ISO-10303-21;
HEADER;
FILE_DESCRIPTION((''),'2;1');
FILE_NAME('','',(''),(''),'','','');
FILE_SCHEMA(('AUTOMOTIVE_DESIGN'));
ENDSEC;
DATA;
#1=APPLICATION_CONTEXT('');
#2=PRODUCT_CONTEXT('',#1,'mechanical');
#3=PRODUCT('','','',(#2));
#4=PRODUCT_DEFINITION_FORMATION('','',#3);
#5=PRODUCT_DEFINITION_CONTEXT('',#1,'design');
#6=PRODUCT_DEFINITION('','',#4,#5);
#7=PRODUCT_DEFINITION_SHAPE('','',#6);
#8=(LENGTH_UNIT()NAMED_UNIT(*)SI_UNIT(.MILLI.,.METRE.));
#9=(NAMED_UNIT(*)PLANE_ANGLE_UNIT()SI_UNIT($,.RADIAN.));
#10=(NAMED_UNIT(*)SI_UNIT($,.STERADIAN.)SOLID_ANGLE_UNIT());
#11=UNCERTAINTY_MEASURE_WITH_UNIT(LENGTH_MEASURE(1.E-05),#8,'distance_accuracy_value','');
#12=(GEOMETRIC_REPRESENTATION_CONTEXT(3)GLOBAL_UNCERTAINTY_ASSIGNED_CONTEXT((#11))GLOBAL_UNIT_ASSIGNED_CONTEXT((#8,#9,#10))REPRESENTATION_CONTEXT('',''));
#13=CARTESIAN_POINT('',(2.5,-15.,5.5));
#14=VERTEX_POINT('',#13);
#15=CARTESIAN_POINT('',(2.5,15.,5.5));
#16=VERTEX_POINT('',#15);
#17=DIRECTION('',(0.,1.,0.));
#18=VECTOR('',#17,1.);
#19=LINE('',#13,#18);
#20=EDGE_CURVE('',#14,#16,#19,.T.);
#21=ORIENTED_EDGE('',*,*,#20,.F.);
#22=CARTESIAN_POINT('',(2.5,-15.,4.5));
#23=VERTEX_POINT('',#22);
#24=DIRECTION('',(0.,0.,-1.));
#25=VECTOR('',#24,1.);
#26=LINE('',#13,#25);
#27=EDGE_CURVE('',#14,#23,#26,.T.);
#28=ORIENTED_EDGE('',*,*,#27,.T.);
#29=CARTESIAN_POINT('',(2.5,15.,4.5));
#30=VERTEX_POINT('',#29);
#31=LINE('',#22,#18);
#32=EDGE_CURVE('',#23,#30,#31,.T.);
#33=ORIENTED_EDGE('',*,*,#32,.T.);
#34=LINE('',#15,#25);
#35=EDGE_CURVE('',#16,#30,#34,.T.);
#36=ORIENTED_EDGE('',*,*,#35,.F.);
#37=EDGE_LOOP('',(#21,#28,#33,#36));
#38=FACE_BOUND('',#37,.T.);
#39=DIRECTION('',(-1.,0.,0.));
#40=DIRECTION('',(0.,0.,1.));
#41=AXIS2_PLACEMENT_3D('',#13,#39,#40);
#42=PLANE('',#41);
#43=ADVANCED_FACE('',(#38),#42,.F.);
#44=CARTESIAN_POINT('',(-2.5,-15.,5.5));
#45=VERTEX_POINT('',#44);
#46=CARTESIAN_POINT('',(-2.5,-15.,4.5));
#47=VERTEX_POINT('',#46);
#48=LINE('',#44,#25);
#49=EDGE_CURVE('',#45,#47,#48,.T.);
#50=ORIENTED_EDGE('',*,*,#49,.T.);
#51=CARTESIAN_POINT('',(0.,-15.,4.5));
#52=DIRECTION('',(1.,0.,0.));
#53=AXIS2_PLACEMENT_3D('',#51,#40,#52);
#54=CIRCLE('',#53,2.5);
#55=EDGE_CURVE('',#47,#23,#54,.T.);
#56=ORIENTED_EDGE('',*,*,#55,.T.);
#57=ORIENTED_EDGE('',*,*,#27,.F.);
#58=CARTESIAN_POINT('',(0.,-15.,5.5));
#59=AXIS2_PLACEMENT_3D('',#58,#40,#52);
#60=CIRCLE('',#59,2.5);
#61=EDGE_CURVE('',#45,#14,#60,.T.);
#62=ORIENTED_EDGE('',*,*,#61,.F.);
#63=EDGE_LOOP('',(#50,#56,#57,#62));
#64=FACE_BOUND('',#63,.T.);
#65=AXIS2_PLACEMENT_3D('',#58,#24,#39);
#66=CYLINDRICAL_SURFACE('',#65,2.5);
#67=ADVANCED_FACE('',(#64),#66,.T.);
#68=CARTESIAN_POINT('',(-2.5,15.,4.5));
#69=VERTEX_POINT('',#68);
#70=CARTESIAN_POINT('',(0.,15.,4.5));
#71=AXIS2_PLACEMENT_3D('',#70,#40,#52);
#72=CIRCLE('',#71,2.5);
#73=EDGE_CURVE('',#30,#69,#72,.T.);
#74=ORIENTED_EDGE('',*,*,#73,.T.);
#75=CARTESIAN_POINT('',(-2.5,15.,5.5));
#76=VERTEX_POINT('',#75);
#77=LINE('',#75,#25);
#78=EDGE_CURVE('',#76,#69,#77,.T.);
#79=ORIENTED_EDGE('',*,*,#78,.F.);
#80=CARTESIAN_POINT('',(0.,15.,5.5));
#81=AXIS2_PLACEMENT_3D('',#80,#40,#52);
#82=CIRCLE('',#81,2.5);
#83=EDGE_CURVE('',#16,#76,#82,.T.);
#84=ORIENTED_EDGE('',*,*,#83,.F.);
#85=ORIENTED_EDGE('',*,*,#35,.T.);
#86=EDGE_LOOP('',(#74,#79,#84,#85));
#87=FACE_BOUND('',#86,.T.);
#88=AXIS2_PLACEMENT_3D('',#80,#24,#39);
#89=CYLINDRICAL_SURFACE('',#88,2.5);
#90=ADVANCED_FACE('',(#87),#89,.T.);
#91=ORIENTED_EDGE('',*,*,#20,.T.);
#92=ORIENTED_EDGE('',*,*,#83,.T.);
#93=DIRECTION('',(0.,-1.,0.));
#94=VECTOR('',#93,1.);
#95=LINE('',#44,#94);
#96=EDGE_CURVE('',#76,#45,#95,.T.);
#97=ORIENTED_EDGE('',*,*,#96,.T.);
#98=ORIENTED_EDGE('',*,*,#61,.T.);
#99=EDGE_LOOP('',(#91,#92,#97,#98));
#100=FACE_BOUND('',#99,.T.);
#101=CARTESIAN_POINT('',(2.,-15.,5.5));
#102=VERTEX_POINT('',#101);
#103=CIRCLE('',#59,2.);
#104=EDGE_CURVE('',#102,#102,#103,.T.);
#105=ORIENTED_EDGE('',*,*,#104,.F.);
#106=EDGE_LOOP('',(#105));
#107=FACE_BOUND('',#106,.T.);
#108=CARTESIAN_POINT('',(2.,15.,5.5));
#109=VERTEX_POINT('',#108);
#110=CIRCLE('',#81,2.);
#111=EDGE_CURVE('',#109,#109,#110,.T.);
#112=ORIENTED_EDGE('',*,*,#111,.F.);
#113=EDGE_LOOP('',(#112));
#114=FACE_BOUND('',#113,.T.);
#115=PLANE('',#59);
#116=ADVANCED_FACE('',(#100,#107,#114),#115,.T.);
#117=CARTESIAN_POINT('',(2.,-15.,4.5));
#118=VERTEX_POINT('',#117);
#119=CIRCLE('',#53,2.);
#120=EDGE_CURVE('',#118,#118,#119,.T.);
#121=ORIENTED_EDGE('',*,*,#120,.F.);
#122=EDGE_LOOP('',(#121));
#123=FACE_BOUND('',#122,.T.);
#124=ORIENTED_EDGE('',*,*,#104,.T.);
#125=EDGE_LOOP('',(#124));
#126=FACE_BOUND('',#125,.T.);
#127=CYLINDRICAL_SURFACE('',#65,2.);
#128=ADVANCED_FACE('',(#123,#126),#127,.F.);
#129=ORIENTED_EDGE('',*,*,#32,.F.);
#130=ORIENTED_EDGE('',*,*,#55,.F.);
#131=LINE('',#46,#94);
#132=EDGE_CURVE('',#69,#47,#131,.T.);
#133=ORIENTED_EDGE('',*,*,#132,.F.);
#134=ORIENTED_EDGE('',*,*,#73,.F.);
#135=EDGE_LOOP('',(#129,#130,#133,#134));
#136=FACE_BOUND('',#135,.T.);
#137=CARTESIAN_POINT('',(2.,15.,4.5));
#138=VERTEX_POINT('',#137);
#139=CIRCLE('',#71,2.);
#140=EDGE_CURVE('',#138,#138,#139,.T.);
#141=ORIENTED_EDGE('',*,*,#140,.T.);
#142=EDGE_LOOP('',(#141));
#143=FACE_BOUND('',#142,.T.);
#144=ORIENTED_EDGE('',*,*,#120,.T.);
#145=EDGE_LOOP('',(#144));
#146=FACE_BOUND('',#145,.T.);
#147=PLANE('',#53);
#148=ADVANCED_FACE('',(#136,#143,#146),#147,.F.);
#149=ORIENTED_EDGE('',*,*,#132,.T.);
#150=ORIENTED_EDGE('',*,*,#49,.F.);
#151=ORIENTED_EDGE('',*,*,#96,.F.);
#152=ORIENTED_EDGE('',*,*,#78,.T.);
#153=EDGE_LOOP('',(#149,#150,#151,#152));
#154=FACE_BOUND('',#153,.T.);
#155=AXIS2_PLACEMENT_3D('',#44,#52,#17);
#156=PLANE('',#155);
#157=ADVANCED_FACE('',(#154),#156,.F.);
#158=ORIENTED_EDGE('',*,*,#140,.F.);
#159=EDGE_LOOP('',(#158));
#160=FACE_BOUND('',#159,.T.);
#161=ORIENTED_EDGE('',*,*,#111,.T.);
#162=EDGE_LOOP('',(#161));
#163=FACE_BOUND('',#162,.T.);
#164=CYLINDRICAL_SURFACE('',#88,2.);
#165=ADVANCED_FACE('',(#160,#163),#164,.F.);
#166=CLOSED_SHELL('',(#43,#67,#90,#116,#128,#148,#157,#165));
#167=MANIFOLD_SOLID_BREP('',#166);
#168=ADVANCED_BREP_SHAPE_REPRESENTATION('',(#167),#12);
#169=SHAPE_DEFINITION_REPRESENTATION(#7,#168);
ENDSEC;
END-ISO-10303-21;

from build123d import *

# Parameters (mm, degrees)
SKETCH1_R           = 20
BOSS_EXTRUDE1_DEPTH = 10
SCALE2_SCALE        = 0.1


with BuildPart() as part:
    # Sketch1 → Boss-Extrude1 (new body)
    with BuildSketch(Plane.XY):
        with BuildLine():
            Line((-25, -150), (-25, 150))
            ThreePointArc((-25, 150), (0, 175), (25, 150))
            Line((25, 150), (25, -150))
            ThreePointArc((25, -150), (0, -175), (-25, -150))
        make_face()
        with Locations((0, 150)):
            Circle(SKETCH1_R, mode=Mode.SUBTRACT)
        with Locations((0, -150)):
            Circle(SKETCH1_R, mode=Mode.SUBTRACT)
    extrude(amount=BOSS_EXTRUDE1_DEPTH)


with BuildPart() as part_1:
    # Scale2: scaled about (0, 0, 5)
    add(part.part.scale(SCALE2_SCALE).moved(Location((0, 0, 4.5))))


solid = part_1.part
